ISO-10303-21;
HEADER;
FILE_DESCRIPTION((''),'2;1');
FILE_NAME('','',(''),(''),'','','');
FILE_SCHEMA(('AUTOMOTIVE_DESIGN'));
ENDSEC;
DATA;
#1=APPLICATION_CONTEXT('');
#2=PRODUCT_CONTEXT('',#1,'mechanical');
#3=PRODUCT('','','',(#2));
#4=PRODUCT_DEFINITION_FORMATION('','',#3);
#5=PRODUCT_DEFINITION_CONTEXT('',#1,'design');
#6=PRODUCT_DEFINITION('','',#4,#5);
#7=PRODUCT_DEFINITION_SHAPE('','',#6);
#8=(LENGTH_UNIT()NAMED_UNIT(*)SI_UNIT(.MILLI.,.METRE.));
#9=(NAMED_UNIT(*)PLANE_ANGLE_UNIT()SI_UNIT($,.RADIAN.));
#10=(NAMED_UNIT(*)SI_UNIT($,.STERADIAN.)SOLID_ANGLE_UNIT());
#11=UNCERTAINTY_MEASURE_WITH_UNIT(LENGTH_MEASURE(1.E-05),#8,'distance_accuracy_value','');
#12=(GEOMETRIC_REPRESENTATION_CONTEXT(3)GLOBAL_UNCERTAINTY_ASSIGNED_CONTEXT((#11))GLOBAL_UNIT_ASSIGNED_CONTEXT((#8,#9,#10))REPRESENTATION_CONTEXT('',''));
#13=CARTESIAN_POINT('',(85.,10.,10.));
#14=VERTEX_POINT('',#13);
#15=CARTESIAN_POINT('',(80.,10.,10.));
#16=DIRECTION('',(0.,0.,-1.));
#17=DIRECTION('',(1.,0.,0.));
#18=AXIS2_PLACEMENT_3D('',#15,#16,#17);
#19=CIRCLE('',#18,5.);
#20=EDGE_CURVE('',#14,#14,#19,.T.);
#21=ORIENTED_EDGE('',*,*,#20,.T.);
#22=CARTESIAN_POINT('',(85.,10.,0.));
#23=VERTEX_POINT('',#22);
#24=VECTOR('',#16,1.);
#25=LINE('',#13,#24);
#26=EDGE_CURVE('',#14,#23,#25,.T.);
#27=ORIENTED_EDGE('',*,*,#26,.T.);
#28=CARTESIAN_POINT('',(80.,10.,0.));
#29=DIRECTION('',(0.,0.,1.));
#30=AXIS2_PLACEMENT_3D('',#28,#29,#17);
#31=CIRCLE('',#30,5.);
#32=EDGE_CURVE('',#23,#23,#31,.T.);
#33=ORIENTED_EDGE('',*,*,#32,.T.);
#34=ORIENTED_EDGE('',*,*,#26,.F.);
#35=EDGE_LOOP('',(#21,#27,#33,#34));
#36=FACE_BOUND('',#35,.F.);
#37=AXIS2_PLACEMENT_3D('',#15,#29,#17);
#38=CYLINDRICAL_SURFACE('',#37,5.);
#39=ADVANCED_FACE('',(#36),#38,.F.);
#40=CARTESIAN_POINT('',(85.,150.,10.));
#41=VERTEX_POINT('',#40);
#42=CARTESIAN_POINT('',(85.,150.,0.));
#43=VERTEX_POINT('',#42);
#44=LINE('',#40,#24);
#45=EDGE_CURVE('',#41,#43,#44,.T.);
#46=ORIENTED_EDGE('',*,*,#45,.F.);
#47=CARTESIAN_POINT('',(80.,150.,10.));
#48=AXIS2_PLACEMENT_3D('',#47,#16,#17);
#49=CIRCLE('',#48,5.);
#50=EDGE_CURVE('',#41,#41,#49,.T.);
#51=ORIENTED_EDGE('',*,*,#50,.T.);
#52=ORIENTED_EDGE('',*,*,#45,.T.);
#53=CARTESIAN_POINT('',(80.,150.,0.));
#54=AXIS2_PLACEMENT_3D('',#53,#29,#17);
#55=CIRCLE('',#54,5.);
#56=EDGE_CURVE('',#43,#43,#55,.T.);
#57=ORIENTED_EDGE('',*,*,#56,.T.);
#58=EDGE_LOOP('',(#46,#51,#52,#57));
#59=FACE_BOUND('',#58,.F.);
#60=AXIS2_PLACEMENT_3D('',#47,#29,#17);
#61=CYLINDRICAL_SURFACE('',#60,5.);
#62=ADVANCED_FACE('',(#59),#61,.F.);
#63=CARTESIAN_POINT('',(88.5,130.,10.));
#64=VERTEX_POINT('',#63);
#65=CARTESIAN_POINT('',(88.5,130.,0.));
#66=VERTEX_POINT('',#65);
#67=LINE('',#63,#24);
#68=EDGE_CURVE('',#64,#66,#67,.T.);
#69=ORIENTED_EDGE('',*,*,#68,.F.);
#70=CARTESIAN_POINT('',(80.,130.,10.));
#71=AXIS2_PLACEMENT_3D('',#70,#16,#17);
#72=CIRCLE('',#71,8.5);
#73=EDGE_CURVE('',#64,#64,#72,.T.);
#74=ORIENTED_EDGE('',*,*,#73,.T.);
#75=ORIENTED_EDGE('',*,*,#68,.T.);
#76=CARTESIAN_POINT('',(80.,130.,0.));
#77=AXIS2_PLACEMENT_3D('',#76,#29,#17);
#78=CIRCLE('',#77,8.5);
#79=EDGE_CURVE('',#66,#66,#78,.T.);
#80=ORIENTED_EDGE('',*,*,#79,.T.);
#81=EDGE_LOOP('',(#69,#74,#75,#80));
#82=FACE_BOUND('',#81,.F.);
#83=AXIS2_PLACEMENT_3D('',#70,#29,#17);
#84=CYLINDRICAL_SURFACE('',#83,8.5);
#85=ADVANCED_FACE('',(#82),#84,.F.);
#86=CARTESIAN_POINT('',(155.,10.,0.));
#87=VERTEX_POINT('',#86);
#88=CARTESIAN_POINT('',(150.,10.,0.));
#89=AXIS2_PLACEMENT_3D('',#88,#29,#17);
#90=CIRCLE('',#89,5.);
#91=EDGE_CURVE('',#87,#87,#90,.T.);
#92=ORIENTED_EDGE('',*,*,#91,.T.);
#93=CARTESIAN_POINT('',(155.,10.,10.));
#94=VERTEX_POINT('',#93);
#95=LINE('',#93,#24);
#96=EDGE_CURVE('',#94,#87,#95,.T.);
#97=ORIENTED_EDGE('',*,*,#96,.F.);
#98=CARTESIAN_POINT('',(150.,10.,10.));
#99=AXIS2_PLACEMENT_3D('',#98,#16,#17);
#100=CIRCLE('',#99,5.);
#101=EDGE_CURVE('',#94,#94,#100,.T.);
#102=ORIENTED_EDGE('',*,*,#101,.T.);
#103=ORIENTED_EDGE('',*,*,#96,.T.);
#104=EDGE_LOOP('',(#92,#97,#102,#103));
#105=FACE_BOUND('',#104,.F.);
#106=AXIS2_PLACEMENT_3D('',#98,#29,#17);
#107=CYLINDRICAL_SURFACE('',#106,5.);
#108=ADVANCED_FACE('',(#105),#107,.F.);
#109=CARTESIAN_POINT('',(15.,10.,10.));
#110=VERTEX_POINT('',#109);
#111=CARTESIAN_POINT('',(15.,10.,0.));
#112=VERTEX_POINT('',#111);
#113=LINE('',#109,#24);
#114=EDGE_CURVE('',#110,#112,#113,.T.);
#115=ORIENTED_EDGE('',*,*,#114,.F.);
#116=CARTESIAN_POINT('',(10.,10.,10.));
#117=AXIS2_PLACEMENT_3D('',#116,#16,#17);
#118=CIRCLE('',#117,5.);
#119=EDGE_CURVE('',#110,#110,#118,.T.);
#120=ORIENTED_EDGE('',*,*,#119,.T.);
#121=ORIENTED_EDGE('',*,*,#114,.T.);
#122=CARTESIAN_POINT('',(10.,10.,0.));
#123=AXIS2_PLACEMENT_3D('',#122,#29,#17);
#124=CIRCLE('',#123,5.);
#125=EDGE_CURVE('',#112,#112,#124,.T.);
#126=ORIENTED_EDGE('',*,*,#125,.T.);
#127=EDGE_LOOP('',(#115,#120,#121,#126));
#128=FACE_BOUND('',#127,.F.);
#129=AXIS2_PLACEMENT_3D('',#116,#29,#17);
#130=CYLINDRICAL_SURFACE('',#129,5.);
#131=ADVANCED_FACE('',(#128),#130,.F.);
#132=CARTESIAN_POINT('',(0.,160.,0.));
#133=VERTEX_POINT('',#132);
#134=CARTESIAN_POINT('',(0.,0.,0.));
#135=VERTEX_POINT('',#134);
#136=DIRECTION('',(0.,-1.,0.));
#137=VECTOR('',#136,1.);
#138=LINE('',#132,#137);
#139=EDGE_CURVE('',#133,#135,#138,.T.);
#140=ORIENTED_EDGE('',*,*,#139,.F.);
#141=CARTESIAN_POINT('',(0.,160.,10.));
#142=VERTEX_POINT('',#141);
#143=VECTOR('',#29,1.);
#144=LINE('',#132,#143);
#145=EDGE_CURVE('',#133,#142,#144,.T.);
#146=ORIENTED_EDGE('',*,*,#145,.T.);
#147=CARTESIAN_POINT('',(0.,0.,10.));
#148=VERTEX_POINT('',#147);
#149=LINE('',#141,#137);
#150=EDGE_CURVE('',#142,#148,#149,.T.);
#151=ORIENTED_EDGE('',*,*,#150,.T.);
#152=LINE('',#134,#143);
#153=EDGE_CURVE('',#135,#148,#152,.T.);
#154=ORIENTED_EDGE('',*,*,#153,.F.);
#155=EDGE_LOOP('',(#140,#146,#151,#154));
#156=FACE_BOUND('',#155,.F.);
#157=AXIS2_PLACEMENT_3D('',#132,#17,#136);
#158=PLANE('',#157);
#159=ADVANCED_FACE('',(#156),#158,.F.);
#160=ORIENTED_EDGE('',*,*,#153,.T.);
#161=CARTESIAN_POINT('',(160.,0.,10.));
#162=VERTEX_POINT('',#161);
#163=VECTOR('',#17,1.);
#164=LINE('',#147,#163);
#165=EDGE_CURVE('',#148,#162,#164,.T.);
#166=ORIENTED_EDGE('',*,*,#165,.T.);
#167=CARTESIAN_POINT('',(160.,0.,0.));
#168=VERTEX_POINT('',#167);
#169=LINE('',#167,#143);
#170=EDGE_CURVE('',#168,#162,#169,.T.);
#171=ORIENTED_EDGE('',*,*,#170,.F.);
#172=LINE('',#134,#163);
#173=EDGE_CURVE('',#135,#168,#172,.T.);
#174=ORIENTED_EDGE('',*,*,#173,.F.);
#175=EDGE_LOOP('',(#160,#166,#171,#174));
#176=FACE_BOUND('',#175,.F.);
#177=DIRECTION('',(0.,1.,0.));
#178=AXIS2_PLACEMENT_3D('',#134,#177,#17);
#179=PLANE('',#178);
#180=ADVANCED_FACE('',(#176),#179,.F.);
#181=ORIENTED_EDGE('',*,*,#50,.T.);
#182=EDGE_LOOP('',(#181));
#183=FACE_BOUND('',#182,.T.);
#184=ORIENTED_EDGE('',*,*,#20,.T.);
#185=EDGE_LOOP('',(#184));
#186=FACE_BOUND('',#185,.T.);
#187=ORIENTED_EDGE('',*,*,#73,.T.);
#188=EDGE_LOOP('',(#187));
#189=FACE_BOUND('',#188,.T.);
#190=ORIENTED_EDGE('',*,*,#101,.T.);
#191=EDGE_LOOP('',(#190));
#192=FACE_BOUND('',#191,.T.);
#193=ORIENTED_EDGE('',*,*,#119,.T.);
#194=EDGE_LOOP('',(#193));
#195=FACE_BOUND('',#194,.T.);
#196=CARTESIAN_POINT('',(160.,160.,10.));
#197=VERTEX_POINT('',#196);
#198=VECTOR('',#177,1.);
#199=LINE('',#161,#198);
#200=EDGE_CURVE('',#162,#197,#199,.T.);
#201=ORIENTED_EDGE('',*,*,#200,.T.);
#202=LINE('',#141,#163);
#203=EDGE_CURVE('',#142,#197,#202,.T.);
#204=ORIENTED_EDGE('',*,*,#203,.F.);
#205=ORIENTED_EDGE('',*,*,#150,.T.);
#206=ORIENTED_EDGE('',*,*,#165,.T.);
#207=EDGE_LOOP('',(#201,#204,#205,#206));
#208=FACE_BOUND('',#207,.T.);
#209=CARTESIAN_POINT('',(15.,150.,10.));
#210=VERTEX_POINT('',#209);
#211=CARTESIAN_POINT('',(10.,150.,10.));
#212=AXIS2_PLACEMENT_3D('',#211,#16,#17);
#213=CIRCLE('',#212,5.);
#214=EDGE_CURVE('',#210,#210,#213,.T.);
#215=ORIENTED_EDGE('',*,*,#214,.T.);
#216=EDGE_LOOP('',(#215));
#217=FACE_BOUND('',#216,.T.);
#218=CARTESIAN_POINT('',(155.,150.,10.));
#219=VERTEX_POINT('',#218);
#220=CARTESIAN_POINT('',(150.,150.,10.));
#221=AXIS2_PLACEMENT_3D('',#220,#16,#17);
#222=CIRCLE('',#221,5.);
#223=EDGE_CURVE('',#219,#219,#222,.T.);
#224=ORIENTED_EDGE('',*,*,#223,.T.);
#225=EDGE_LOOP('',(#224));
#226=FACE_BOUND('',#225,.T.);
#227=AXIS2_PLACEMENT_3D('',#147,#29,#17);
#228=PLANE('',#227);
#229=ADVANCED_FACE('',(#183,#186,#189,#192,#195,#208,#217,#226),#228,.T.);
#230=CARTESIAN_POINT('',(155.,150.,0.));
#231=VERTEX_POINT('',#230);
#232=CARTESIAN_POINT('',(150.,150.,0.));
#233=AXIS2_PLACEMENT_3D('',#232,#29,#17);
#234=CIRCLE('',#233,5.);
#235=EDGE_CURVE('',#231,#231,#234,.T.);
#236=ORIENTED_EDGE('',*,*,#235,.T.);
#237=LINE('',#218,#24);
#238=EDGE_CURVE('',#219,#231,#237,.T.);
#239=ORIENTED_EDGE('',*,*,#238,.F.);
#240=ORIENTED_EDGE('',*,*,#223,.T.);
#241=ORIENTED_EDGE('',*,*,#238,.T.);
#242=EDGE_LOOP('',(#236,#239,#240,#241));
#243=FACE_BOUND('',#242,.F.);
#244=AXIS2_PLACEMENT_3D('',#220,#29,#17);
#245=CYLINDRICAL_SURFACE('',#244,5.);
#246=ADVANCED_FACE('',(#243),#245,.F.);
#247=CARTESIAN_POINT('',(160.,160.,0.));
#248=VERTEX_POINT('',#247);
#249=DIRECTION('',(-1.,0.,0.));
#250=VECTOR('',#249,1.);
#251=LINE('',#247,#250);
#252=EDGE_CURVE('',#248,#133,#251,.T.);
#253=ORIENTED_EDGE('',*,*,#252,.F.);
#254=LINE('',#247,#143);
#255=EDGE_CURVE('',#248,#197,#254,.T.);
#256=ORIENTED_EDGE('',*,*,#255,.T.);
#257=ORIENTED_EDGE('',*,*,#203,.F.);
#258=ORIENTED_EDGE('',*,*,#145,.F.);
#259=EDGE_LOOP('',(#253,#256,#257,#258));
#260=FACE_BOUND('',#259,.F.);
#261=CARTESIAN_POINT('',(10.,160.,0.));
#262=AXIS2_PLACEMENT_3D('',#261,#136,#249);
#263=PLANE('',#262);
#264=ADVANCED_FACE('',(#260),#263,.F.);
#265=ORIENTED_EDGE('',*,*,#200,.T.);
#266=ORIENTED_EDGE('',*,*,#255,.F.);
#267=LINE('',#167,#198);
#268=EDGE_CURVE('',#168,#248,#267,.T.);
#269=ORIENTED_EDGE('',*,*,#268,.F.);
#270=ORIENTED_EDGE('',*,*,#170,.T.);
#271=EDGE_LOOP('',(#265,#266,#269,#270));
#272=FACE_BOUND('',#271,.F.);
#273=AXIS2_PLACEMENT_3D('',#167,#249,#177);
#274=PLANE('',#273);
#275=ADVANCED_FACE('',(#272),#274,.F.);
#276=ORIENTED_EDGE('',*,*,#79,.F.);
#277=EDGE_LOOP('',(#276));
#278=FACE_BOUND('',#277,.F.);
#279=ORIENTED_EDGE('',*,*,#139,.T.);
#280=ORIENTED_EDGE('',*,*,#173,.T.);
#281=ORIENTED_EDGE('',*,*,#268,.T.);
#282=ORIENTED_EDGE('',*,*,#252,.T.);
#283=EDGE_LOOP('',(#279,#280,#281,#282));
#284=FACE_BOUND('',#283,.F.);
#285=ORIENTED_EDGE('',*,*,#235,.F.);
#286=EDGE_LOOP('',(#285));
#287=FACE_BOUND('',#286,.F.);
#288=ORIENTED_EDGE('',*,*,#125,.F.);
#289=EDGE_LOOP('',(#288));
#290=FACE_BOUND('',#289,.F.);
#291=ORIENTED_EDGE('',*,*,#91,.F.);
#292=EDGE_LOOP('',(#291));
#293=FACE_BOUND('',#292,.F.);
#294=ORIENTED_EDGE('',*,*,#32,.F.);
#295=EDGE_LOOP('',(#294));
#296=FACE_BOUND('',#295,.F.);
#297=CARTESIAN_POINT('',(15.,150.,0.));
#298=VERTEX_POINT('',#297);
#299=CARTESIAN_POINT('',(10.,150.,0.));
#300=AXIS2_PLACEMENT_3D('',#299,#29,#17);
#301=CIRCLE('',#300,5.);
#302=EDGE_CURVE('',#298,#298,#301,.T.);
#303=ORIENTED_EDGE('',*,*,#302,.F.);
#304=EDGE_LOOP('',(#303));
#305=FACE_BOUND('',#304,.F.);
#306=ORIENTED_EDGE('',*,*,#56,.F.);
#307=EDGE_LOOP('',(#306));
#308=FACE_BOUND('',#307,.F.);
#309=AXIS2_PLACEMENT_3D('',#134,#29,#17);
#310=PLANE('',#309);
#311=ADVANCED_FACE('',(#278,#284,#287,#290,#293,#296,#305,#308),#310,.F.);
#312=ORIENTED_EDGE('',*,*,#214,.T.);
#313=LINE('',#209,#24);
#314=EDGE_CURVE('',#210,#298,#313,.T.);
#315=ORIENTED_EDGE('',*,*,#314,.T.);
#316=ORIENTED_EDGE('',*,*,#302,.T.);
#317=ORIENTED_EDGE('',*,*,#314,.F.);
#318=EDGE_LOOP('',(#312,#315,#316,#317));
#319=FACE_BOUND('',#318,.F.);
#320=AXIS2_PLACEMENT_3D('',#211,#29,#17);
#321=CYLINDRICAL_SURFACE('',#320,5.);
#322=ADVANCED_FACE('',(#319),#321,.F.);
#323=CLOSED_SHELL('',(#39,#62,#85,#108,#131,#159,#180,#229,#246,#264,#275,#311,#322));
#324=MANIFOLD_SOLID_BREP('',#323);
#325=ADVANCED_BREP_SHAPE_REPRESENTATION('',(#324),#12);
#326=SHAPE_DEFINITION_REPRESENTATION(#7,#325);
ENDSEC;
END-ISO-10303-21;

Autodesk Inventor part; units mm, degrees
ref_plane "YZ Plane" through (0, 0, 0) normal (1, 0, 0) x (0, 1, 0)
ref_plane "XZ Plane" through (0, 0, 0) normal (0, 1, 0) x (-1, 0, 0)
ref_plane "XY Plane" through (0, 0, 0) normal (0, 0, 1) x (1, 0, 0)
sketch "Sketch1" plane through (0, 0, 0) normal (0, 0, 1) x (1, 0, 0)
  line L0 (0, 0) -> (160, 0)
  line L1 (160, 0) -> (160, 160)
  line L2 (160, 160) -> (0, 160)
  line L3 (0, 160) -> (0, 0)
  line L4 (0, 160) -> (10, 160)
  dimension "d0" = 160
  dimension "d1" = 160
extrude "Extrusion1" add sketch "Sketch1" along normal blind 10
sketch "Sketch2" plane through (0, 0, 10) normal (0, 0, 1) x (1, 0, 0)
  line L0 (0, 0) -> (0, 10)
  line L1 (0, 160) -> (0, 0) projected
  line L2 (0, 10) -> (0, 160)
  line L3 (0, 160) -> (150, 160)
  line L4 (160, 160) -> (0, 160) projected
  line L5 (150, 160) -> (150, 10)
  line L6 (150, 10) -> (0, 10)
  line L7 (0, 10) -> (0, 160)
  line L8 (0, 160) -> (10, 160)
  line L9 (10, 160) -> (10, 10)
  line L10 (10, 10) -> (150, 10)
  line L11 (150, 160) -> (150, 150)
  line L12 (10, 160) -> (10, 150)
  line L13 (10, 150) -> (150, 150)
  circle A0 centre (10, 150) radius 5
  circle A1 centre (150, 150) radius 5
  circle A2 centre (10, 10) radius 5
  circle A3 centre (150, 10) radius 5
  dimension "d4" = 10
  dimension "d5" = 150
  dimension "d6" = 150
  dimension "d7" = 150
  dimension "d8" = 150
  dimension "d9" = 150
  dimension "d10" = 10
  dimension "d11" = 150
  dimension "d12" = 10
  dimension "d13" = 10
  dimension "d14" = 10
  dimension "d15" = 10
  dimension "d16" = 10
extrude "Extrusion2" cut sketch "Sketch2" against normal through all contours A2 L9 L6 | L6 A2 | A0 L13 L9 | L9 A0 | L9 A2 L6 | A1 L5 | L5 L13 A1 | L13 A0 L9 | A3 L5 L6 | L6 L5 A3 | L5 A1 L13
sketch "Sketch3" plane through (0, 0, 10) normal (0, 0, 1) x (1, 0, 0)
  line L0 (0, 160) -> (0, 0) projected
  line L1 (0, 0) -> (80, 0)
  line L2 (0, 0) -> (160, 0) projected
  line L3 (80, 0) -> (80, 10)
  line L4 (80, 10) -> (80, 150)
  circle A0 centre (80, 10) radius 5
  circle A1 centre (80, 150) radius 5
  dimension "d19" = 80
  dimension "d20" = 10
  dimension "d21" = 140
  dimension "d22" = 10
  dimension "d23" = 10
extrude "Extrusion3" cut sketch "Sketch3" against normal through all
sketch "Sketch4" plane through (0, 0, 10) normal (0, 0, 1) x (1, 0, 0)
  line L0 (160, 160) -> (0, 160) projected
  line L1 (0, 160) -> (80, 160)
  line L2 (80, 160) -> (80, 130)
  circle A0 centre (80, 130) radius 8.5
  point P0 (0, 0)
  dimension "d26" = 80
  dimension "d27" = 30
  dimension "d28" = 17
extrude "Extrusion4" cut sketch "Sketch4" against normal through all
properties part number "2 nd part of capping syatem"
